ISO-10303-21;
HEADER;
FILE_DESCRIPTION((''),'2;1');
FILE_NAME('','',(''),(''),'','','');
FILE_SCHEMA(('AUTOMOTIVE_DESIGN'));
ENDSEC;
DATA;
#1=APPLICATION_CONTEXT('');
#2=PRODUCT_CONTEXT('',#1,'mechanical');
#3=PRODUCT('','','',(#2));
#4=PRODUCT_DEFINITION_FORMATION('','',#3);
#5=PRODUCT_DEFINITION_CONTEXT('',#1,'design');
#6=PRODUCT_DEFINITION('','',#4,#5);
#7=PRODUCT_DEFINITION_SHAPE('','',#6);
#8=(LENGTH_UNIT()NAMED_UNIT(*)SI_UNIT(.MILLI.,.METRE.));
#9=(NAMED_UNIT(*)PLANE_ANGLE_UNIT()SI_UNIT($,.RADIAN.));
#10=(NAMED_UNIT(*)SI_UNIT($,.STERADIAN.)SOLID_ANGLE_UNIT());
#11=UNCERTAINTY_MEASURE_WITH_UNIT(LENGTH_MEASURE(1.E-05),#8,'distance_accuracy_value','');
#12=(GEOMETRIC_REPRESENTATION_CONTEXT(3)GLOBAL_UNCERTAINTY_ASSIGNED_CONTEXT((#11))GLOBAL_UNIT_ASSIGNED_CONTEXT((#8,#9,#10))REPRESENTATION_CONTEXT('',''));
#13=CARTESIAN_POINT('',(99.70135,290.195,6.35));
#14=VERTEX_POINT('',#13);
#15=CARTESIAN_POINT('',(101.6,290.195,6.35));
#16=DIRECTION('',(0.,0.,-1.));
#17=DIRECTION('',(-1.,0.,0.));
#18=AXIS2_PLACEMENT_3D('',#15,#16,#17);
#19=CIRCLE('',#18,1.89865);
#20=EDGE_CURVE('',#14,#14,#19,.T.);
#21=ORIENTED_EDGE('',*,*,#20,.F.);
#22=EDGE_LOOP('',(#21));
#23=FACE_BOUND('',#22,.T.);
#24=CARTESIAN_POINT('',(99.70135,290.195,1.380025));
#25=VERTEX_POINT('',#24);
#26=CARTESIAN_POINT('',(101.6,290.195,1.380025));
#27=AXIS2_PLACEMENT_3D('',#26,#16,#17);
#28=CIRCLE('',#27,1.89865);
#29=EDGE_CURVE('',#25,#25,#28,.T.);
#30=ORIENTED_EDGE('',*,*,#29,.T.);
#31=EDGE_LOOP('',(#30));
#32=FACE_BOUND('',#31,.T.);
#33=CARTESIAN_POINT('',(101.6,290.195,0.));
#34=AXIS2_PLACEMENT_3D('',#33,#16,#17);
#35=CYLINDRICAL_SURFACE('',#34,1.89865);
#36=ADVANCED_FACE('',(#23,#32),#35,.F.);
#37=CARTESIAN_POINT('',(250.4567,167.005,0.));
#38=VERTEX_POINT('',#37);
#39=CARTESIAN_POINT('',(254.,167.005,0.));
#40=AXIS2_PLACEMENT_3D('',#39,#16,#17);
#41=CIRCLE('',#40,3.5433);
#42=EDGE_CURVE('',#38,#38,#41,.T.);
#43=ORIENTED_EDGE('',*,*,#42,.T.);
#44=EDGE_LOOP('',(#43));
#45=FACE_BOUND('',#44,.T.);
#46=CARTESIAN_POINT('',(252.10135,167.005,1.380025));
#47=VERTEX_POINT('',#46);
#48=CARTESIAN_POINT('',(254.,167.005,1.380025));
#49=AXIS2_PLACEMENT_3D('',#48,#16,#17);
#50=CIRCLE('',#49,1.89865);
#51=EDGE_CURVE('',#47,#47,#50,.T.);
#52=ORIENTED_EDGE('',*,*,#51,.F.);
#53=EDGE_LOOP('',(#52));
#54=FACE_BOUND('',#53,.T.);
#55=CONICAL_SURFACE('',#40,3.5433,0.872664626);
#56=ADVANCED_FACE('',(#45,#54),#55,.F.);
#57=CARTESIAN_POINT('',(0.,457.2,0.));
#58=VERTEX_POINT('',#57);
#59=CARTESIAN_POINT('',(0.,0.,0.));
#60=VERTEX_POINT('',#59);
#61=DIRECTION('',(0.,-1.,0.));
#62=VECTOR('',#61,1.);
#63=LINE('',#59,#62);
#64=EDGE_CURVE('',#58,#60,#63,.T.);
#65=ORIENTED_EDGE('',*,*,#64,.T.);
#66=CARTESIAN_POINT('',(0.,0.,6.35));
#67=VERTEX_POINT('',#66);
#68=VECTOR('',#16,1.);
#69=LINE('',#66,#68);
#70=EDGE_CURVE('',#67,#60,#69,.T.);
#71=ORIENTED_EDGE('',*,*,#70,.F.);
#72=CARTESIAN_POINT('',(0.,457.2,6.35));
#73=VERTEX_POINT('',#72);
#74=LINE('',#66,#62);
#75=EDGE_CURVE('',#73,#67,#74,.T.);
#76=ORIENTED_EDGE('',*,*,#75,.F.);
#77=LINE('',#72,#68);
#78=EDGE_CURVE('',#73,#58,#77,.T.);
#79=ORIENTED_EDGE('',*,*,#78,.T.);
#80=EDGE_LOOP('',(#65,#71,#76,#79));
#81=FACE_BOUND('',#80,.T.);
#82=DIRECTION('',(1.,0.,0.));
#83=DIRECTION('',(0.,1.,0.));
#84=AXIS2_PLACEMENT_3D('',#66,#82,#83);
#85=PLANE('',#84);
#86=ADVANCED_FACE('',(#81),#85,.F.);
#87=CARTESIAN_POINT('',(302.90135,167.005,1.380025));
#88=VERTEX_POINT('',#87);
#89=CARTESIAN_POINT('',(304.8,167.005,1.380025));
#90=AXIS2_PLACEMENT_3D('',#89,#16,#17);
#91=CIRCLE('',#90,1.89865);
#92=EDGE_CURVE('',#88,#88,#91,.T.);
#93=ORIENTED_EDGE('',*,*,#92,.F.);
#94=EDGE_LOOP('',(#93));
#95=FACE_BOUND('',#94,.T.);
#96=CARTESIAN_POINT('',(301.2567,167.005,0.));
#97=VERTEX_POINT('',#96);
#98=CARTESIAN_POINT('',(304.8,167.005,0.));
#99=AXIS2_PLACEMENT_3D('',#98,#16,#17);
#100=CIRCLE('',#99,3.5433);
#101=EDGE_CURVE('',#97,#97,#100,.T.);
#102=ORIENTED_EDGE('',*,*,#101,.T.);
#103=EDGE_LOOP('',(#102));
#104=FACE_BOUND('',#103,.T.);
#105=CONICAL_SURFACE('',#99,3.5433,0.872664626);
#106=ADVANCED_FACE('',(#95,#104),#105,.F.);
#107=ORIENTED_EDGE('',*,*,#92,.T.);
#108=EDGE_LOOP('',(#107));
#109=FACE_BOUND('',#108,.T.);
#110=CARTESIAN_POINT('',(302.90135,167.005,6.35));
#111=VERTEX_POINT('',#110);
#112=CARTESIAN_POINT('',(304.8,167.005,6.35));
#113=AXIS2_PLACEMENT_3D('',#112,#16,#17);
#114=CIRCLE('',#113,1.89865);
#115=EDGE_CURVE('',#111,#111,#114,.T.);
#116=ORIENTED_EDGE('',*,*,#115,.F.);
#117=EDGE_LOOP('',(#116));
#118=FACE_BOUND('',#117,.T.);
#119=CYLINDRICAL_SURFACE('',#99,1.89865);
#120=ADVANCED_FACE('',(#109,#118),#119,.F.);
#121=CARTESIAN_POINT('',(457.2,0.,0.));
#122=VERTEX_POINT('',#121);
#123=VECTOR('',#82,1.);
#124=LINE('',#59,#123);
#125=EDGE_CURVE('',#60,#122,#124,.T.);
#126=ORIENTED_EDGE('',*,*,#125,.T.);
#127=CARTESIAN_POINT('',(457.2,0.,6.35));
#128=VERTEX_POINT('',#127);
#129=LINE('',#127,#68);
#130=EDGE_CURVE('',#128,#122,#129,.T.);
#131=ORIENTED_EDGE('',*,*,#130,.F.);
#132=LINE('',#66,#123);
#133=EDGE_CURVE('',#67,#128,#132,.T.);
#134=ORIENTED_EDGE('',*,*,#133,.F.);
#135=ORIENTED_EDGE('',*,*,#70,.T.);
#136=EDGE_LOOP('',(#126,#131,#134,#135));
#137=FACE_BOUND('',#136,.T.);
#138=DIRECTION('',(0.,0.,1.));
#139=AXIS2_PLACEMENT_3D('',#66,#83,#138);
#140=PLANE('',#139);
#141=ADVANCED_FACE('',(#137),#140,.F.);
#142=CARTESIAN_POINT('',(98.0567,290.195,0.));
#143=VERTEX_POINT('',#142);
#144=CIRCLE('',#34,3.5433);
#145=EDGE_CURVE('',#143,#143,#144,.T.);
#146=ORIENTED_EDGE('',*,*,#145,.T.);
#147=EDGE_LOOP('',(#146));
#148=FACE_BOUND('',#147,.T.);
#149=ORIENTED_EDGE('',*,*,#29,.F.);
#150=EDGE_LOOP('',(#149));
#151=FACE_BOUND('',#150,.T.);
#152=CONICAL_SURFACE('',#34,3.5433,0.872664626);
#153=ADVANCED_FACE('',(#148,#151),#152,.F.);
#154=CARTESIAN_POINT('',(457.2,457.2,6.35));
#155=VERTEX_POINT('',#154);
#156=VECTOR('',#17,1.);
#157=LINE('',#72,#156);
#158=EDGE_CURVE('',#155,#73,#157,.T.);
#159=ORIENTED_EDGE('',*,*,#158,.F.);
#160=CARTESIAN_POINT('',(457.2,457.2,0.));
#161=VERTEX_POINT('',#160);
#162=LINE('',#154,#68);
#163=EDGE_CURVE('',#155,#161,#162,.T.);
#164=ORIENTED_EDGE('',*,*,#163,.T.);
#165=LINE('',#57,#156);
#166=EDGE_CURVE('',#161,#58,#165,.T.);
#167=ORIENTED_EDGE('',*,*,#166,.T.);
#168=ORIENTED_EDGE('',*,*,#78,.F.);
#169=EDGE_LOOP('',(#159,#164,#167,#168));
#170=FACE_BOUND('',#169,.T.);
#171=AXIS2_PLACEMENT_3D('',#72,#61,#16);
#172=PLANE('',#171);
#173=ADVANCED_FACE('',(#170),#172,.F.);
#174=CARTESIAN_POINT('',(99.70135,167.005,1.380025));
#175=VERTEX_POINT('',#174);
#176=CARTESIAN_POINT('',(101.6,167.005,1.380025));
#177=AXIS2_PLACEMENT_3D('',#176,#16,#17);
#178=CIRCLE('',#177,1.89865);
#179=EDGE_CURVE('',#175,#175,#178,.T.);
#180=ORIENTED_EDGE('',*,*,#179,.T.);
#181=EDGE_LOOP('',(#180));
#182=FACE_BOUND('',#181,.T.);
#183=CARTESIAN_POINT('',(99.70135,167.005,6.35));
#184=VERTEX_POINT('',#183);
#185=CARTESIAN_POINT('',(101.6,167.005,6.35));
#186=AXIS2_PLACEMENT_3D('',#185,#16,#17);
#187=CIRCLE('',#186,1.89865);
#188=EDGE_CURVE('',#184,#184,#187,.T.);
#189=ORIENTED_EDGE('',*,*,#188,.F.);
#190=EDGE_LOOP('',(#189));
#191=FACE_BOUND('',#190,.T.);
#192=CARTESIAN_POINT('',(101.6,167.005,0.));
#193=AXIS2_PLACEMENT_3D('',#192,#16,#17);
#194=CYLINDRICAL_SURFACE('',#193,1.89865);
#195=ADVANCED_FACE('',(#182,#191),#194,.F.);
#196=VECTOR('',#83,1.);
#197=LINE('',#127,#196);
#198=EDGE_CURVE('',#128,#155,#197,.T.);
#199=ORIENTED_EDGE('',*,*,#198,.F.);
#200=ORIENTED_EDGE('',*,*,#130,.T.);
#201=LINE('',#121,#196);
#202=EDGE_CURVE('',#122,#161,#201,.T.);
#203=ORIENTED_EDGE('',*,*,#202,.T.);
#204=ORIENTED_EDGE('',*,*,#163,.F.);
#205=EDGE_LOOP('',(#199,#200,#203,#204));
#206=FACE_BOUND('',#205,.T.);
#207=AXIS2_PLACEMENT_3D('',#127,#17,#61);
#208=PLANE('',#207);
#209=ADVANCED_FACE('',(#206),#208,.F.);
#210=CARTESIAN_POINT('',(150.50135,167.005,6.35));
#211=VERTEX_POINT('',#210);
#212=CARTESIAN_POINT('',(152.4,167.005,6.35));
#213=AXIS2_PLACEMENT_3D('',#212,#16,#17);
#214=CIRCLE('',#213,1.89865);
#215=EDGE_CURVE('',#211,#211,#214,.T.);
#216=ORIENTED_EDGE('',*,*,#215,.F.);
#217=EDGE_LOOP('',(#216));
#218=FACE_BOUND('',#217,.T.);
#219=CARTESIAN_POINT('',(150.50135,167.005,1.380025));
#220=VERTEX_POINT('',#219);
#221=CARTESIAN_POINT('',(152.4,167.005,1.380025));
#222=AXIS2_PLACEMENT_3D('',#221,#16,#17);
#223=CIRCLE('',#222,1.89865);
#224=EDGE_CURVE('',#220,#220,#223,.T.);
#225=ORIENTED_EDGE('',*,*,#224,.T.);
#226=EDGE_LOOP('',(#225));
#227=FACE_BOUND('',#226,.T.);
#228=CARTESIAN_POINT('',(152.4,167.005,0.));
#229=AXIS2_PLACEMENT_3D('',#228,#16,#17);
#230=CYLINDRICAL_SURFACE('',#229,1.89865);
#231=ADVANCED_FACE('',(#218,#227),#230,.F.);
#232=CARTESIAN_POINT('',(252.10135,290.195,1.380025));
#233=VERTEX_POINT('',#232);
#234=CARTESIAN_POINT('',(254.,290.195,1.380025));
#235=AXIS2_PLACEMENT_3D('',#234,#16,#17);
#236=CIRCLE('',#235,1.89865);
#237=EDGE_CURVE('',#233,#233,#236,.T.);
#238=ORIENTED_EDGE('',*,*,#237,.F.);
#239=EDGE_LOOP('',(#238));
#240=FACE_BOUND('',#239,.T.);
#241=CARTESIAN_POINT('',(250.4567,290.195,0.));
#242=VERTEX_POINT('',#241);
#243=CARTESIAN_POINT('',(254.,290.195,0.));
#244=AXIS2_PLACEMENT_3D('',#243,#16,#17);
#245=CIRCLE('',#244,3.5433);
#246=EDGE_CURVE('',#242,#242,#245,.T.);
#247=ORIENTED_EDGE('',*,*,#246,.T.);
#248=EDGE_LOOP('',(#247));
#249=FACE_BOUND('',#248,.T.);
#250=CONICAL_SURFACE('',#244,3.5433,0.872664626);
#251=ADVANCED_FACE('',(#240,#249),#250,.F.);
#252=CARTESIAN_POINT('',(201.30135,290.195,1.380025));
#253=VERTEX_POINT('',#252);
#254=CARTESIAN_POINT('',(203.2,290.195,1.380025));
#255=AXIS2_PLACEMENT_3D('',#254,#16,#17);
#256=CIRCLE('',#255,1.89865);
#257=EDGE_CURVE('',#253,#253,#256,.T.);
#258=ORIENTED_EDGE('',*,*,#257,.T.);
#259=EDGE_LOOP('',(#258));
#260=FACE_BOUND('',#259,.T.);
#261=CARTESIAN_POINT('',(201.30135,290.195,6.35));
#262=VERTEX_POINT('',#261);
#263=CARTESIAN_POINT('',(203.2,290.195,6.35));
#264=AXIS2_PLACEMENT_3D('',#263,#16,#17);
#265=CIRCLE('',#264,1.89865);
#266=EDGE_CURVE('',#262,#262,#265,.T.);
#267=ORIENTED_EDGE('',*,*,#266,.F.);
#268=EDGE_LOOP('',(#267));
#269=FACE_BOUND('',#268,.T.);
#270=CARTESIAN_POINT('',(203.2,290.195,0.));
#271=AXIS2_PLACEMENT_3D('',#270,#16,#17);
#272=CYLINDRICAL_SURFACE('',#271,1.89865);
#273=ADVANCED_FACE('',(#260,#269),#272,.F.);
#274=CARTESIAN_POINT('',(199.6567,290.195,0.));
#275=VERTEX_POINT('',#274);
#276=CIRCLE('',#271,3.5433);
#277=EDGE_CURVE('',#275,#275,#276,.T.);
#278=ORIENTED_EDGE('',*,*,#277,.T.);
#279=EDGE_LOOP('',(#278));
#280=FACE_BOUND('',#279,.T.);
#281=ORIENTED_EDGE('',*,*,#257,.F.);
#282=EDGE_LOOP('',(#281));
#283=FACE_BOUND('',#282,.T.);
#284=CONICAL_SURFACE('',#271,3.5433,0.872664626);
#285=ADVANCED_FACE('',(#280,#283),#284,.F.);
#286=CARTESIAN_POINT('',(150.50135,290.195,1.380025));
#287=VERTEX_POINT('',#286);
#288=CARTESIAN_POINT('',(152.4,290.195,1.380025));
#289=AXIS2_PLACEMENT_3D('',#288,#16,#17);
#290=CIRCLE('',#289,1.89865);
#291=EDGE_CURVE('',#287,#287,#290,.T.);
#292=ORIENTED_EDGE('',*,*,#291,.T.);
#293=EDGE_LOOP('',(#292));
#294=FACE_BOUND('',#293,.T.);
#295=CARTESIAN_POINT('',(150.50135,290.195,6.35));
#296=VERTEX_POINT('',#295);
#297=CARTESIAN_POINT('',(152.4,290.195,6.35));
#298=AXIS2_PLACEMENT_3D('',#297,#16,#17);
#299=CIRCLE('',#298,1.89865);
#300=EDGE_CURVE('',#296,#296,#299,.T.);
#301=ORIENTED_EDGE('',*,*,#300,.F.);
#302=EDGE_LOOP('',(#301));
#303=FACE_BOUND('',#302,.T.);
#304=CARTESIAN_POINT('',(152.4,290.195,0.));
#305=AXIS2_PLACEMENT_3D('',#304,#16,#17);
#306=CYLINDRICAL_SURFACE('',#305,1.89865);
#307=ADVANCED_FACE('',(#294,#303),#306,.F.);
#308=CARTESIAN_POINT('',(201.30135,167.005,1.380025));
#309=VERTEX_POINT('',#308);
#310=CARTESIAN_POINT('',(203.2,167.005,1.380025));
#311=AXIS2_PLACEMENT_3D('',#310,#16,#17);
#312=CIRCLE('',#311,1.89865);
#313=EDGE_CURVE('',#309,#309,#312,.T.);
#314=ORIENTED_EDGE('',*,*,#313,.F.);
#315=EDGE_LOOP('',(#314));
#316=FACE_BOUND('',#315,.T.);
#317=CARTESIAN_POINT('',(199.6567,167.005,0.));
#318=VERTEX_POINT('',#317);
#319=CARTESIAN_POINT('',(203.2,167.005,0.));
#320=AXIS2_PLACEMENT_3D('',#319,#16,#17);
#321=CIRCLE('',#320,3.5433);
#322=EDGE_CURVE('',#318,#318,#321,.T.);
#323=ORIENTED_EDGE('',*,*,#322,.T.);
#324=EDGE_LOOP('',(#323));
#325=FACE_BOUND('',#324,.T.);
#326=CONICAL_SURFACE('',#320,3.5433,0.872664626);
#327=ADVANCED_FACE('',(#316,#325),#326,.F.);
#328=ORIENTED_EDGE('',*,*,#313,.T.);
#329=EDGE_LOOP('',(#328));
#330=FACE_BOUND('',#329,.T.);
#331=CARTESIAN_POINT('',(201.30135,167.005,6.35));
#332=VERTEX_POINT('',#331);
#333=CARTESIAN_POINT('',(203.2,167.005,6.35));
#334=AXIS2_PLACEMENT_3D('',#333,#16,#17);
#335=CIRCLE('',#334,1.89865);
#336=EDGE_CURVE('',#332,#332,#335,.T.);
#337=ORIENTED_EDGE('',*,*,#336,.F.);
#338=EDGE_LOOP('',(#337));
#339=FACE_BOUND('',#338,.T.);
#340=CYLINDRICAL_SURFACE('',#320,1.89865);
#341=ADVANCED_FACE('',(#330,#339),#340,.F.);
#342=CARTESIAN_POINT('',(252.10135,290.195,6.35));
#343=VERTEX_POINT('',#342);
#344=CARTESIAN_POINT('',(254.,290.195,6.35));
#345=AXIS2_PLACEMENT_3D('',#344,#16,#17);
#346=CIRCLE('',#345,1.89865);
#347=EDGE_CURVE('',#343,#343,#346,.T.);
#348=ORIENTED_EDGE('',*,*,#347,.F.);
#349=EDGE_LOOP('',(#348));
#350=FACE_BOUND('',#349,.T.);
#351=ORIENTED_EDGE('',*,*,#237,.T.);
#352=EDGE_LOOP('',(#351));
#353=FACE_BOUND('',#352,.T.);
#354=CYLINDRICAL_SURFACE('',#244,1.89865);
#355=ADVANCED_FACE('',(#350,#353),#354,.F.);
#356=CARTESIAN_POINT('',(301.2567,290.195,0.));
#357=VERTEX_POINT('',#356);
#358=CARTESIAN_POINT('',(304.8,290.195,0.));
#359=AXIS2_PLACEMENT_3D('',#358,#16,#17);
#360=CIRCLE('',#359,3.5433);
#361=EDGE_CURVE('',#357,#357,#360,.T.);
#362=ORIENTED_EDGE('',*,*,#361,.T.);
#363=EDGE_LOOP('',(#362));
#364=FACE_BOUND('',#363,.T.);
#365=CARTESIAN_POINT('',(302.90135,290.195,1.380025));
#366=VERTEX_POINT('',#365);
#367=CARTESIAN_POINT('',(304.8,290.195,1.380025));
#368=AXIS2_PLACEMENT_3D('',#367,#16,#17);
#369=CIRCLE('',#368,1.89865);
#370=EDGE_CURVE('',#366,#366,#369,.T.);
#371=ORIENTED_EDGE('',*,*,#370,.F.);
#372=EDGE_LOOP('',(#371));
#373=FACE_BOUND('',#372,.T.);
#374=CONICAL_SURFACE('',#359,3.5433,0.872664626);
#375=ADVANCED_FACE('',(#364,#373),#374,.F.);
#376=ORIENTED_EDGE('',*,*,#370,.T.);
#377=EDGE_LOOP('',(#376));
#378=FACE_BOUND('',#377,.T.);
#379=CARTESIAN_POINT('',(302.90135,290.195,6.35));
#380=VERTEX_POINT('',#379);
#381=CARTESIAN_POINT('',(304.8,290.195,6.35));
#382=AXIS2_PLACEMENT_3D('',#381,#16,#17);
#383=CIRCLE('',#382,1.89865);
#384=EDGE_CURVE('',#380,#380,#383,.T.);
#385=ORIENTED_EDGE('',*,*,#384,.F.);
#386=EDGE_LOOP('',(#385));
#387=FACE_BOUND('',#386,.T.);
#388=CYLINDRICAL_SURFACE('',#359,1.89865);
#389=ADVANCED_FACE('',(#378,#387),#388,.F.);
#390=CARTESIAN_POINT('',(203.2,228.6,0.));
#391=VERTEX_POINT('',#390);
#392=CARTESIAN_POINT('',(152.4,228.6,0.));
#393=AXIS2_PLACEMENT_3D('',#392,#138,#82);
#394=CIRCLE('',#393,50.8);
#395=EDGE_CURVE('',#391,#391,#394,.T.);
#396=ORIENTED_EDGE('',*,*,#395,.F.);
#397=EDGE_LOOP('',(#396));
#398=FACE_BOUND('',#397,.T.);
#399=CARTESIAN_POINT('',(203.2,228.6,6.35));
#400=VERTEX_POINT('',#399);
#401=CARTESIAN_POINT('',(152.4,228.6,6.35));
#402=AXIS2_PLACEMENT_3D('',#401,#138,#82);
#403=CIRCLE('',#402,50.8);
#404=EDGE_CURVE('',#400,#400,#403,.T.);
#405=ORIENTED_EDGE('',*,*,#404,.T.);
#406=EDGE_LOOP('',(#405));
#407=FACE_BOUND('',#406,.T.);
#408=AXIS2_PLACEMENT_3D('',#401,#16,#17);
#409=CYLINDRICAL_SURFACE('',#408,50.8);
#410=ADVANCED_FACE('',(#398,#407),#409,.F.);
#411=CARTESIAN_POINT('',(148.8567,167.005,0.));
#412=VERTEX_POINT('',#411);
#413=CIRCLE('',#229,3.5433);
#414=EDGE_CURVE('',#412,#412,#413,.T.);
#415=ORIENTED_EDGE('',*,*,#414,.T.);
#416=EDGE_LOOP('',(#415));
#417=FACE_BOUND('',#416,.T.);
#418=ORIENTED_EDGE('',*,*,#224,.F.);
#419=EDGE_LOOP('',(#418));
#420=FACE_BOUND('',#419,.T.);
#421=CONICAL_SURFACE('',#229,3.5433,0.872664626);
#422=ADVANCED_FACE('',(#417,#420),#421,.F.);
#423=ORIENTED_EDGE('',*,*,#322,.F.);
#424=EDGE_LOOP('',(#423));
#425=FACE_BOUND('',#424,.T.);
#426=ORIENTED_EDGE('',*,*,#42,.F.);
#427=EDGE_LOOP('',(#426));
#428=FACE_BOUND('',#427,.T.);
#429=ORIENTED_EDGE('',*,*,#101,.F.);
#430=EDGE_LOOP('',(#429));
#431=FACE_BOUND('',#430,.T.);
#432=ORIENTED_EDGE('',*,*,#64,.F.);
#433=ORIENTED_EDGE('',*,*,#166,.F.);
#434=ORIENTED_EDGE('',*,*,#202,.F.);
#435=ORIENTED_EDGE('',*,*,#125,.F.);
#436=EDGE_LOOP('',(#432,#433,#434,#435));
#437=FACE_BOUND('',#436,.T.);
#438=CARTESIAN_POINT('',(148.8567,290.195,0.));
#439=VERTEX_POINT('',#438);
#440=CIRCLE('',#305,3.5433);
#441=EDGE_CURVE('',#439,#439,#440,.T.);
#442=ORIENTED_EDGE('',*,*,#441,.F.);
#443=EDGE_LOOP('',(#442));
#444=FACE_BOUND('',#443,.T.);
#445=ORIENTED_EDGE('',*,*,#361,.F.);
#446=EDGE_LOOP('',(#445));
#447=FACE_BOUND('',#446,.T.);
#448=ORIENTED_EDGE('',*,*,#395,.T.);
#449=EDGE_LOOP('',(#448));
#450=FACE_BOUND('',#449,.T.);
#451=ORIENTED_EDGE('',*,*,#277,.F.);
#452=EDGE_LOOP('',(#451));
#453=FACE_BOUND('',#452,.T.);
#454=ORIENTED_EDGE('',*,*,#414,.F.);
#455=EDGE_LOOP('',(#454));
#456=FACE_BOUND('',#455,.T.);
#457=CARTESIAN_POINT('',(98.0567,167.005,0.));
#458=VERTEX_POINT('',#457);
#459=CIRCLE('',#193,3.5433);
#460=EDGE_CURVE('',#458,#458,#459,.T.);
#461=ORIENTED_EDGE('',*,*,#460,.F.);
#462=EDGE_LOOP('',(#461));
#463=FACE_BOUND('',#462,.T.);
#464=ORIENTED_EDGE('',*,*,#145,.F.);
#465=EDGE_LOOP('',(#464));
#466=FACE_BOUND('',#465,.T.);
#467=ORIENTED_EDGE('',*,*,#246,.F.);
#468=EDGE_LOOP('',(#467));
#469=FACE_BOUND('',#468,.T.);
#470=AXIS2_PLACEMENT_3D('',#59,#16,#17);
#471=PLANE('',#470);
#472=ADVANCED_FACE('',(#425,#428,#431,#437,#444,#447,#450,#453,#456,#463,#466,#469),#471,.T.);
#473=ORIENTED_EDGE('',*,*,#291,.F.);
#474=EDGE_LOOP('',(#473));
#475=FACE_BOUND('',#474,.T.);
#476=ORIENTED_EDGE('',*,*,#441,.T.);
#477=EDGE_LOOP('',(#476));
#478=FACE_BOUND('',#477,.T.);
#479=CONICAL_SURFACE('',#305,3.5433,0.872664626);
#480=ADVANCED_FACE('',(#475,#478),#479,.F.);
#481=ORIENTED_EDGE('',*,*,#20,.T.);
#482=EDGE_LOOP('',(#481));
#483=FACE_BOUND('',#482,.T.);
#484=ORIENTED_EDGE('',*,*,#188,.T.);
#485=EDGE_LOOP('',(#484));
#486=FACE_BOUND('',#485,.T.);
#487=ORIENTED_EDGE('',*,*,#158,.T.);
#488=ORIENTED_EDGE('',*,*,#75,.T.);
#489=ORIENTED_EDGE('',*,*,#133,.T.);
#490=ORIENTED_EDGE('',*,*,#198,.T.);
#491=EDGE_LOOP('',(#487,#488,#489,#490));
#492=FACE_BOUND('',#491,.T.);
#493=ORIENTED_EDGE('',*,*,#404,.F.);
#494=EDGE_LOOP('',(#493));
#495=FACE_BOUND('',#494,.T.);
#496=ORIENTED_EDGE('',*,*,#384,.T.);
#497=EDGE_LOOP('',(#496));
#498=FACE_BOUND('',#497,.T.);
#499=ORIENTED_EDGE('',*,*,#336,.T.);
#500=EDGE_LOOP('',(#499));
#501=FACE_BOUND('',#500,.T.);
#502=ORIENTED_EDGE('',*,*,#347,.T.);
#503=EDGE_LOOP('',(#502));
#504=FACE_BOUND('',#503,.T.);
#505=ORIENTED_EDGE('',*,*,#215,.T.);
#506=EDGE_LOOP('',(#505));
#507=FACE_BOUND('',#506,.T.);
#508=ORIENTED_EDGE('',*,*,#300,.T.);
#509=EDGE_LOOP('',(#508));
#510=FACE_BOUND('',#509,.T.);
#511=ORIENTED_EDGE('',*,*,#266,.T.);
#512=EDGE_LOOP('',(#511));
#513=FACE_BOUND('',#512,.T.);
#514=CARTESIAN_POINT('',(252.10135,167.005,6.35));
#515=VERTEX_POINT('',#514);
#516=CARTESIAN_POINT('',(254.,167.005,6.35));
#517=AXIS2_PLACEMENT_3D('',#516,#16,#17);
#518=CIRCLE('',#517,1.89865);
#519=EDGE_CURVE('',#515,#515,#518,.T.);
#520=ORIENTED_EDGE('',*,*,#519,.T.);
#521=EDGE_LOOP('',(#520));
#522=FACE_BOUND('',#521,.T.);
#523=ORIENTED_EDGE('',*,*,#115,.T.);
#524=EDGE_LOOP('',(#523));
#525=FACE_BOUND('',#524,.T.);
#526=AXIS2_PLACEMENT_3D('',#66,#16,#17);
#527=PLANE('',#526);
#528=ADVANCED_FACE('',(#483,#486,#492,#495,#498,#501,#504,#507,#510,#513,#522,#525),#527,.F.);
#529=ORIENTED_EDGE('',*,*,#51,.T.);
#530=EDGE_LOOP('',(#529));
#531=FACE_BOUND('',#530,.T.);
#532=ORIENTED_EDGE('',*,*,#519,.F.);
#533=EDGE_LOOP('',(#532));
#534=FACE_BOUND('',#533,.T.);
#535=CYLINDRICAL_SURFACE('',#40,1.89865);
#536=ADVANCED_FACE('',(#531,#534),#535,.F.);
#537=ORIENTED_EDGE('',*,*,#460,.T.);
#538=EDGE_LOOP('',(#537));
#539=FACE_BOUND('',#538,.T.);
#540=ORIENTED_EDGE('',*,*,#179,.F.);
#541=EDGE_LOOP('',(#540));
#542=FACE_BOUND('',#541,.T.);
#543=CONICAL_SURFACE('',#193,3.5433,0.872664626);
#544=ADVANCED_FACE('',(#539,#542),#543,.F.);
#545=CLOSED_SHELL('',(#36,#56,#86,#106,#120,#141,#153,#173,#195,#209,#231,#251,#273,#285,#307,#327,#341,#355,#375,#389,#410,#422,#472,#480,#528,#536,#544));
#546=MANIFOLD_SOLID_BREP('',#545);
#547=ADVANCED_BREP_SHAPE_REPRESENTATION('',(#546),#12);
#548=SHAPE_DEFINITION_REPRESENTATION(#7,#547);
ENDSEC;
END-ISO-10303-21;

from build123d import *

# Parameters (mm, degrees)
SKETCH1_W                                         = 457.2
SKETCH1_H                                         = 457.2
SKETCH1_R                                         = 50.8
BOSS_EXTRUDE1_DEPTH                               = 6.35
CSK_FOR_6_FLAT_HEAD_MACHINE_SCREW_100_D           = 3.7973
CSK_FOR_6_FLAT_HEAD_MACHINE_SCREW_100_CSINK_D     = 7.0866
CSK_FOR_6_FLAT_HEAD_MACHINE_SCREW_100_CSINK_ANGLE = 100


with BuildPart() as part:
    # Sketch1 → Boss-Extrude1 (new body)
    with BuildSketch(Plane.XY):
        with Locations((228.6, 228.6)):
            Rectangle(SKETCH1_W, SKETCH1_H)
        with Locations((152.4, 228.6)):
            Circle(SKETCH1_R, mode=Mode.SUBTRACT)
    extrude(amount=BOSS_EXTRUDE1_DEPTH)

    # CSK for #6 Flat Head Machine Screw (100)1 (through all)
    with Locations(Plane(origin=(0, 0, 0), x_dir=(-1, 0, 0), z_dir=(0, 0, -1))):
        with Locations((-101.6, 290.195), (-152.4, 290.195), (-203.2, 290.195), (-203.2, 167.005), (-152.4, 167.005), (-101.6, 167.005), (-254, 290.195), (-304.8, 290.195), (-304.8, 167.005), (-254, 167.005)):
            CounterSinkHole(CSK_FOR_6_FLAT_HEAD_MACHINE_SCREW_100_D / 2, CSK_FOR_6_FLAT_HEAD_MACHINE_SCREW_100_CSINK_D / 2, counter_sink_angle=CSK_FOR_6_FLAT_HEAD_MACHINE_SCREW_100_CSINK_ANGLE)


solid = part.part
